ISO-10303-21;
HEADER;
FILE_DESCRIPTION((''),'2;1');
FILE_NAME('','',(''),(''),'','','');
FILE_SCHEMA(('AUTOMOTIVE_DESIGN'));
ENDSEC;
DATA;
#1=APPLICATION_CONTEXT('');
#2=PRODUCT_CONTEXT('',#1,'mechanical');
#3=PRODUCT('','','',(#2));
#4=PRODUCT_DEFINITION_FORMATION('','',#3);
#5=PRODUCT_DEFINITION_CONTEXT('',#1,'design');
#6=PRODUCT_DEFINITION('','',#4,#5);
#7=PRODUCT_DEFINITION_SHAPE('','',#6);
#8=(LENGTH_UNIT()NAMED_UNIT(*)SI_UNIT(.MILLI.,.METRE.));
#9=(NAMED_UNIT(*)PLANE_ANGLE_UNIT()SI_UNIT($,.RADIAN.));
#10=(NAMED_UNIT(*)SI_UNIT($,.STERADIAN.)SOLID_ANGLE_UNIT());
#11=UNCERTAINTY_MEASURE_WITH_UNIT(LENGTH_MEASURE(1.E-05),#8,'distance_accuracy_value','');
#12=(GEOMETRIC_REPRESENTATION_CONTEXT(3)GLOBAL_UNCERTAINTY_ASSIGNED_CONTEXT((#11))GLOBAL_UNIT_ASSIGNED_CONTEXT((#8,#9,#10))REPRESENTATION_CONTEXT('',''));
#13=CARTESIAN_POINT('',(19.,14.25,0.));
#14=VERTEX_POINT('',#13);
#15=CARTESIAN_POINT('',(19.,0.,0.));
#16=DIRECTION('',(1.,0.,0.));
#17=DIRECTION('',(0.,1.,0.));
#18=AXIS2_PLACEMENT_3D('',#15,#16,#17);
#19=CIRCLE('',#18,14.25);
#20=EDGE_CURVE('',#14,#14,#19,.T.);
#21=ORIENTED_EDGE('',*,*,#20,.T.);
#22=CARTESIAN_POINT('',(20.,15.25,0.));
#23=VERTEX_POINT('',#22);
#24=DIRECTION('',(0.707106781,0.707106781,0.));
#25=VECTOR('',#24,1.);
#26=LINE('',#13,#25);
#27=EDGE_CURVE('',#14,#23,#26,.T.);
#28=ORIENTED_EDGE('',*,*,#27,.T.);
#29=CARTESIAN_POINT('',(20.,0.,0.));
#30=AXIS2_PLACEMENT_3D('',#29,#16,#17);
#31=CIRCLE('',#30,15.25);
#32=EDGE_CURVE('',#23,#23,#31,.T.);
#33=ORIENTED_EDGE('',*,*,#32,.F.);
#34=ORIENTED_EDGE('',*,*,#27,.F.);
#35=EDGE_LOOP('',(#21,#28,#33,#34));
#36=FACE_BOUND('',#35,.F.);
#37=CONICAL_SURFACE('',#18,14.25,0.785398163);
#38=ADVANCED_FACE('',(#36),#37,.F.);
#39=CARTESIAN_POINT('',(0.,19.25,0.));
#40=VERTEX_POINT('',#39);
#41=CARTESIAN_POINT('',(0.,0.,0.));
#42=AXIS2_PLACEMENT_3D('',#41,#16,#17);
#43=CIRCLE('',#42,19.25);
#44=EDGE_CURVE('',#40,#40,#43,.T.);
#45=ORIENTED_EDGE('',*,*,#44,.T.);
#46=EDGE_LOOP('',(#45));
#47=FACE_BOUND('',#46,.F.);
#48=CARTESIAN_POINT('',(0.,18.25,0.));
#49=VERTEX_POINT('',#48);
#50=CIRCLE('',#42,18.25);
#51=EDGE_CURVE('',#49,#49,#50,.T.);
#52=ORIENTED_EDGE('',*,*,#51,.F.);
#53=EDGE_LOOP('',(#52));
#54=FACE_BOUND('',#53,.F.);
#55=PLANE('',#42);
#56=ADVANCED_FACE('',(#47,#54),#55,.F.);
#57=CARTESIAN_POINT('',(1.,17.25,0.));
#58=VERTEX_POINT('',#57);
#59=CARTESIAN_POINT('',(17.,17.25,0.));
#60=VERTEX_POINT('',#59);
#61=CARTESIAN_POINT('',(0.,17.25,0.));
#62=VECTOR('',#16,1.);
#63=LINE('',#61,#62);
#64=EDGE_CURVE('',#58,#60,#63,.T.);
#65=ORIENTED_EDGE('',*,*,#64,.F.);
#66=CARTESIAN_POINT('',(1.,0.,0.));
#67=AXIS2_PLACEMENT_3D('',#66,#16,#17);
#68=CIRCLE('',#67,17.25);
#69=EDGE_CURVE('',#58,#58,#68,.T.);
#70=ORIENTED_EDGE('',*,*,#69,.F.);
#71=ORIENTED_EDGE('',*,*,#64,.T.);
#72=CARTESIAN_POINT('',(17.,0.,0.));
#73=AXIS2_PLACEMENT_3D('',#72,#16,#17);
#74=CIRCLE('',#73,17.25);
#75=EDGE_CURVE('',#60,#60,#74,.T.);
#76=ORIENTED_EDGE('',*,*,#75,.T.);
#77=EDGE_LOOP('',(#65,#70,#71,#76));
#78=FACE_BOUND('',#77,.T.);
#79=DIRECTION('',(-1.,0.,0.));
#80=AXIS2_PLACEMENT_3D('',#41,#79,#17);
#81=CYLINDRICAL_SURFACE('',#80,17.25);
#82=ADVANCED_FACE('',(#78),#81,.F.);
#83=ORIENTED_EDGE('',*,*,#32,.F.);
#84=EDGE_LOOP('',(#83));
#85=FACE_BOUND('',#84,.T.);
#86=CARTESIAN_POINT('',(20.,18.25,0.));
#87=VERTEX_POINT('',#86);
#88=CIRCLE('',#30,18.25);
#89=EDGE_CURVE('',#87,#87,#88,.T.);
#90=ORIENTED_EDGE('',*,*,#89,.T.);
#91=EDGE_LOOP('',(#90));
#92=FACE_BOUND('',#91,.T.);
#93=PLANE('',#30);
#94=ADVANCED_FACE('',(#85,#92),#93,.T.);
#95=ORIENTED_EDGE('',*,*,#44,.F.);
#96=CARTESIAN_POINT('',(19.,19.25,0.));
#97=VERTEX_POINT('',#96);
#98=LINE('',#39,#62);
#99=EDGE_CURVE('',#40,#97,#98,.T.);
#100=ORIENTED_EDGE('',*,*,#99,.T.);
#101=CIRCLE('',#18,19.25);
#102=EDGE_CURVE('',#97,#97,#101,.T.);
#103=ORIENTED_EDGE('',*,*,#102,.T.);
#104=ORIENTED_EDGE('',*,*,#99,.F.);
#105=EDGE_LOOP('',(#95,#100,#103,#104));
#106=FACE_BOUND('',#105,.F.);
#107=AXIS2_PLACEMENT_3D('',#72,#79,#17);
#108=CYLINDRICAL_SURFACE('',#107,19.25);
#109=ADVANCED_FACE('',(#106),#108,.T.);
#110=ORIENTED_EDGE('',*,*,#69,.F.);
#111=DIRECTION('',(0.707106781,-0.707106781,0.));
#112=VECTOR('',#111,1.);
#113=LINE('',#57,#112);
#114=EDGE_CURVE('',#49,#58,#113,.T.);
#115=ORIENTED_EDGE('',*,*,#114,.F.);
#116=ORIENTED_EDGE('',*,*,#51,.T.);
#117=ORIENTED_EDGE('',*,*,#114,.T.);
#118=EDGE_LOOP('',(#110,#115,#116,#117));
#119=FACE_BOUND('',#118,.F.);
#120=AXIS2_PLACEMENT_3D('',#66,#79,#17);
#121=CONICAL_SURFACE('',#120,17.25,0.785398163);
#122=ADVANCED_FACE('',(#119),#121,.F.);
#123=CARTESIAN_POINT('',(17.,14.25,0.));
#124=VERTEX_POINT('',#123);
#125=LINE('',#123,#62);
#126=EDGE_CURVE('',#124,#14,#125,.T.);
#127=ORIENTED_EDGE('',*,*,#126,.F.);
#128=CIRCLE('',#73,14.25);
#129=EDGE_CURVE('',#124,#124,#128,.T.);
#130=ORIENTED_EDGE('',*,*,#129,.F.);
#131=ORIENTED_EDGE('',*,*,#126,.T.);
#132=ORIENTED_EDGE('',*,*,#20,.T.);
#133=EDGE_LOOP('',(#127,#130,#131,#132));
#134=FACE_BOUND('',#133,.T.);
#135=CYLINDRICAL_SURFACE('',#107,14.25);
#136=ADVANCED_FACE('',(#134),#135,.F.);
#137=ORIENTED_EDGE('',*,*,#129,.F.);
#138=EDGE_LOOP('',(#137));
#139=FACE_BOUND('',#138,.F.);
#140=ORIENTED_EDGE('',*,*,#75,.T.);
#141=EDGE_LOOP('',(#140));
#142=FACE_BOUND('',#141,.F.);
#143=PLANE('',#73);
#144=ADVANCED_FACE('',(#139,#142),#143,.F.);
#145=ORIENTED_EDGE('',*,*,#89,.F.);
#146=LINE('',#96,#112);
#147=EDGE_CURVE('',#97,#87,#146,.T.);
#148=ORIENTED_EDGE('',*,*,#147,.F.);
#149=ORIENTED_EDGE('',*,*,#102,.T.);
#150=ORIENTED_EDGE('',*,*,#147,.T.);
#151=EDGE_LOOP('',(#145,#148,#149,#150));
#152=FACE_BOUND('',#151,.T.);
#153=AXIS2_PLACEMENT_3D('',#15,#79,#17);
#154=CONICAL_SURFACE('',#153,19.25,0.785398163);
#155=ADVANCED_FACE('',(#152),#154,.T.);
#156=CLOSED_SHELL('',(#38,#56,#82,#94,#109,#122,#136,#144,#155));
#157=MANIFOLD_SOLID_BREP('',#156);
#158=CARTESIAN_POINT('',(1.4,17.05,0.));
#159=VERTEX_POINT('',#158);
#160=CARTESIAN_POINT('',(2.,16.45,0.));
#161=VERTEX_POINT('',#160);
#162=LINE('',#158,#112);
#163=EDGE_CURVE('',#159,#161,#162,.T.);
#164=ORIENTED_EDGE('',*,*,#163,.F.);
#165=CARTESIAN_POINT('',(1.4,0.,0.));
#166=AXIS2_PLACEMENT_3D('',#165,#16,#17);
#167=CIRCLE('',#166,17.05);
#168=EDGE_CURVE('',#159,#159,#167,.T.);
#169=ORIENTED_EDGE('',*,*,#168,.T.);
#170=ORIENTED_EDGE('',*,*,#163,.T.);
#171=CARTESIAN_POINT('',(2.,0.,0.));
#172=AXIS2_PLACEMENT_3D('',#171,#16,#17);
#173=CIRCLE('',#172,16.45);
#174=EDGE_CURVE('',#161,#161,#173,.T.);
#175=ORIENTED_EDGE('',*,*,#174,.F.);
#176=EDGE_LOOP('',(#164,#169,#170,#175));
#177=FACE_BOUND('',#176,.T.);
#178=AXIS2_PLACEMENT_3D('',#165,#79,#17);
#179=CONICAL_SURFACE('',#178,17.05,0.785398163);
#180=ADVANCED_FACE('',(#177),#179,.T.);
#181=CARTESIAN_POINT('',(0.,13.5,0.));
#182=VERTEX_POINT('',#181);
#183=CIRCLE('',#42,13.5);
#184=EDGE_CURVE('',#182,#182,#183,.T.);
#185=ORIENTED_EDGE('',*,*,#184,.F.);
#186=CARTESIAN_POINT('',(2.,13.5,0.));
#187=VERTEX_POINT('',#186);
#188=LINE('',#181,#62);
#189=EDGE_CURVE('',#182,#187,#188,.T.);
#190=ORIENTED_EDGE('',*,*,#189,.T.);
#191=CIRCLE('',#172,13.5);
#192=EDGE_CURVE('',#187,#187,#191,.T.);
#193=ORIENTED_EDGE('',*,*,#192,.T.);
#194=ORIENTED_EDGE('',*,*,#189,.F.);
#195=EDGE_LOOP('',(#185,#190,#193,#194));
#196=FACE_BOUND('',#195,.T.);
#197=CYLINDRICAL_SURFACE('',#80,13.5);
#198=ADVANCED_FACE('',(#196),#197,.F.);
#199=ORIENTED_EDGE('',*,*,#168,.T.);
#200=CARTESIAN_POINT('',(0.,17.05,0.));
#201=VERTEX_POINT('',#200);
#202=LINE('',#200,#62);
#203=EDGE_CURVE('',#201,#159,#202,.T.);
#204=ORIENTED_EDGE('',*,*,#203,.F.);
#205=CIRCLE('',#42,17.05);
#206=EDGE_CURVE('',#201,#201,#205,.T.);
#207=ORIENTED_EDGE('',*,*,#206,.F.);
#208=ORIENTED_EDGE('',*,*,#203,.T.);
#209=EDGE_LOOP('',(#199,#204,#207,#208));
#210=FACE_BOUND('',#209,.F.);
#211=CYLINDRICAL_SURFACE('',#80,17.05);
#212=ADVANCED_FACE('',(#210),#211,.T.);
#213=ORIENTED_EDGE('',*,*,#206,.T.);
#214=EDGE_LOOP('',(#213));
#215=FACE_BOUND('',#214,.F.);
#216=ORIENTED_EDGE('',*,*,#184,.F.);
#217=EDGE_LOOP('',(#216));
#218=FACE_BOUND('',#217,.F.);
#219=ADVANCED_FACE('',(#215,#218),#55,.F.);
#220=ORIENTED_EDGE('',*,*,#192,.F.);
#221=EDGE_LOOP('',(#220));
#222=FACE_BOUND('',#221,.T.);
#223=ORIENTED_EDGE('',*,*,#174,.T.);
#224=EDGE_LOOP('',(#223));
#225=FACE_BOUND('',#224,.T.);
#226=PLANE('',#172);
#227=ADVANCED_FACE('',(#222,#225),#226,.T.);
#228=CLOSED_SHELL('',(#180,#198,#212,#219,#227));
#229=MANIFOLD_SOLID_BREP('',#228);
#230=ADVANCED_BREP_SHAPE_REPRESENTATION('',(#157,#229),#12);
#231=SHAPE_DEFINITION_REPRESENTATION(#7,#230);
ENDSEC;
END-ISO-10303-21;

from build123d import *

# Parameters (mm, degrees)
F0_R     = 19.25
F0_R_2   = 17.25
F1_DEPTH = 17
F2_R     = 19.25
F2_R_2   = 14.25
F3_DEPTH = 3
F4_SIZE  = 1
F5_R     = 17.05
F5_R_2   = 13.5
F6_DEPTH = 2
F7_SIZE  = 0.6


with BuildPart() as f1:
    # F0 (on Right) → F1 (new body)
    with BuildSketch(Plane.YZ):
        Circle(F0_R)
        Circle(F0_R_2, mode=Mode.SUBTRACT)
    extrude(amount=F1_DEPTH)

    # F2 (on face) → F3 (join)
    with BuildSketch(Plane.YZ.offset(17)):
        Circle(F2_R)
        Circle(F2_R_2, mode=Mode.SUBTRACT)
    extrude(amount=F3_DEPTH)

    # F4
    f4_edges = [f1.edges().sort_by_distance(p)[0] for p in [
        (20, -19.25, 0),
        (20, -14.25, 0),
        (0, -17.25, 0),
    ]]
    chamfer(f4_edges, length=F4_SIZE)


with BuildPart() as f6:
    # F5 (on Right) → F6 (new body)
    with BuildSketch(Plane.YZ):
        Circle(F5_R)
        Circle(F5_R_2, mode=Mode.SUBTRACT)
    extrude(amount=F6_DEPTH)

    # F7
    f7_edges = [f6.edges().sort_by_distance(p)[0] for p in [
        (2, -17.05, 0),
    ]]
    chamfer(f7_edges, length=F7_SIZE)


solid = Compound([f1.part, f6.part])
